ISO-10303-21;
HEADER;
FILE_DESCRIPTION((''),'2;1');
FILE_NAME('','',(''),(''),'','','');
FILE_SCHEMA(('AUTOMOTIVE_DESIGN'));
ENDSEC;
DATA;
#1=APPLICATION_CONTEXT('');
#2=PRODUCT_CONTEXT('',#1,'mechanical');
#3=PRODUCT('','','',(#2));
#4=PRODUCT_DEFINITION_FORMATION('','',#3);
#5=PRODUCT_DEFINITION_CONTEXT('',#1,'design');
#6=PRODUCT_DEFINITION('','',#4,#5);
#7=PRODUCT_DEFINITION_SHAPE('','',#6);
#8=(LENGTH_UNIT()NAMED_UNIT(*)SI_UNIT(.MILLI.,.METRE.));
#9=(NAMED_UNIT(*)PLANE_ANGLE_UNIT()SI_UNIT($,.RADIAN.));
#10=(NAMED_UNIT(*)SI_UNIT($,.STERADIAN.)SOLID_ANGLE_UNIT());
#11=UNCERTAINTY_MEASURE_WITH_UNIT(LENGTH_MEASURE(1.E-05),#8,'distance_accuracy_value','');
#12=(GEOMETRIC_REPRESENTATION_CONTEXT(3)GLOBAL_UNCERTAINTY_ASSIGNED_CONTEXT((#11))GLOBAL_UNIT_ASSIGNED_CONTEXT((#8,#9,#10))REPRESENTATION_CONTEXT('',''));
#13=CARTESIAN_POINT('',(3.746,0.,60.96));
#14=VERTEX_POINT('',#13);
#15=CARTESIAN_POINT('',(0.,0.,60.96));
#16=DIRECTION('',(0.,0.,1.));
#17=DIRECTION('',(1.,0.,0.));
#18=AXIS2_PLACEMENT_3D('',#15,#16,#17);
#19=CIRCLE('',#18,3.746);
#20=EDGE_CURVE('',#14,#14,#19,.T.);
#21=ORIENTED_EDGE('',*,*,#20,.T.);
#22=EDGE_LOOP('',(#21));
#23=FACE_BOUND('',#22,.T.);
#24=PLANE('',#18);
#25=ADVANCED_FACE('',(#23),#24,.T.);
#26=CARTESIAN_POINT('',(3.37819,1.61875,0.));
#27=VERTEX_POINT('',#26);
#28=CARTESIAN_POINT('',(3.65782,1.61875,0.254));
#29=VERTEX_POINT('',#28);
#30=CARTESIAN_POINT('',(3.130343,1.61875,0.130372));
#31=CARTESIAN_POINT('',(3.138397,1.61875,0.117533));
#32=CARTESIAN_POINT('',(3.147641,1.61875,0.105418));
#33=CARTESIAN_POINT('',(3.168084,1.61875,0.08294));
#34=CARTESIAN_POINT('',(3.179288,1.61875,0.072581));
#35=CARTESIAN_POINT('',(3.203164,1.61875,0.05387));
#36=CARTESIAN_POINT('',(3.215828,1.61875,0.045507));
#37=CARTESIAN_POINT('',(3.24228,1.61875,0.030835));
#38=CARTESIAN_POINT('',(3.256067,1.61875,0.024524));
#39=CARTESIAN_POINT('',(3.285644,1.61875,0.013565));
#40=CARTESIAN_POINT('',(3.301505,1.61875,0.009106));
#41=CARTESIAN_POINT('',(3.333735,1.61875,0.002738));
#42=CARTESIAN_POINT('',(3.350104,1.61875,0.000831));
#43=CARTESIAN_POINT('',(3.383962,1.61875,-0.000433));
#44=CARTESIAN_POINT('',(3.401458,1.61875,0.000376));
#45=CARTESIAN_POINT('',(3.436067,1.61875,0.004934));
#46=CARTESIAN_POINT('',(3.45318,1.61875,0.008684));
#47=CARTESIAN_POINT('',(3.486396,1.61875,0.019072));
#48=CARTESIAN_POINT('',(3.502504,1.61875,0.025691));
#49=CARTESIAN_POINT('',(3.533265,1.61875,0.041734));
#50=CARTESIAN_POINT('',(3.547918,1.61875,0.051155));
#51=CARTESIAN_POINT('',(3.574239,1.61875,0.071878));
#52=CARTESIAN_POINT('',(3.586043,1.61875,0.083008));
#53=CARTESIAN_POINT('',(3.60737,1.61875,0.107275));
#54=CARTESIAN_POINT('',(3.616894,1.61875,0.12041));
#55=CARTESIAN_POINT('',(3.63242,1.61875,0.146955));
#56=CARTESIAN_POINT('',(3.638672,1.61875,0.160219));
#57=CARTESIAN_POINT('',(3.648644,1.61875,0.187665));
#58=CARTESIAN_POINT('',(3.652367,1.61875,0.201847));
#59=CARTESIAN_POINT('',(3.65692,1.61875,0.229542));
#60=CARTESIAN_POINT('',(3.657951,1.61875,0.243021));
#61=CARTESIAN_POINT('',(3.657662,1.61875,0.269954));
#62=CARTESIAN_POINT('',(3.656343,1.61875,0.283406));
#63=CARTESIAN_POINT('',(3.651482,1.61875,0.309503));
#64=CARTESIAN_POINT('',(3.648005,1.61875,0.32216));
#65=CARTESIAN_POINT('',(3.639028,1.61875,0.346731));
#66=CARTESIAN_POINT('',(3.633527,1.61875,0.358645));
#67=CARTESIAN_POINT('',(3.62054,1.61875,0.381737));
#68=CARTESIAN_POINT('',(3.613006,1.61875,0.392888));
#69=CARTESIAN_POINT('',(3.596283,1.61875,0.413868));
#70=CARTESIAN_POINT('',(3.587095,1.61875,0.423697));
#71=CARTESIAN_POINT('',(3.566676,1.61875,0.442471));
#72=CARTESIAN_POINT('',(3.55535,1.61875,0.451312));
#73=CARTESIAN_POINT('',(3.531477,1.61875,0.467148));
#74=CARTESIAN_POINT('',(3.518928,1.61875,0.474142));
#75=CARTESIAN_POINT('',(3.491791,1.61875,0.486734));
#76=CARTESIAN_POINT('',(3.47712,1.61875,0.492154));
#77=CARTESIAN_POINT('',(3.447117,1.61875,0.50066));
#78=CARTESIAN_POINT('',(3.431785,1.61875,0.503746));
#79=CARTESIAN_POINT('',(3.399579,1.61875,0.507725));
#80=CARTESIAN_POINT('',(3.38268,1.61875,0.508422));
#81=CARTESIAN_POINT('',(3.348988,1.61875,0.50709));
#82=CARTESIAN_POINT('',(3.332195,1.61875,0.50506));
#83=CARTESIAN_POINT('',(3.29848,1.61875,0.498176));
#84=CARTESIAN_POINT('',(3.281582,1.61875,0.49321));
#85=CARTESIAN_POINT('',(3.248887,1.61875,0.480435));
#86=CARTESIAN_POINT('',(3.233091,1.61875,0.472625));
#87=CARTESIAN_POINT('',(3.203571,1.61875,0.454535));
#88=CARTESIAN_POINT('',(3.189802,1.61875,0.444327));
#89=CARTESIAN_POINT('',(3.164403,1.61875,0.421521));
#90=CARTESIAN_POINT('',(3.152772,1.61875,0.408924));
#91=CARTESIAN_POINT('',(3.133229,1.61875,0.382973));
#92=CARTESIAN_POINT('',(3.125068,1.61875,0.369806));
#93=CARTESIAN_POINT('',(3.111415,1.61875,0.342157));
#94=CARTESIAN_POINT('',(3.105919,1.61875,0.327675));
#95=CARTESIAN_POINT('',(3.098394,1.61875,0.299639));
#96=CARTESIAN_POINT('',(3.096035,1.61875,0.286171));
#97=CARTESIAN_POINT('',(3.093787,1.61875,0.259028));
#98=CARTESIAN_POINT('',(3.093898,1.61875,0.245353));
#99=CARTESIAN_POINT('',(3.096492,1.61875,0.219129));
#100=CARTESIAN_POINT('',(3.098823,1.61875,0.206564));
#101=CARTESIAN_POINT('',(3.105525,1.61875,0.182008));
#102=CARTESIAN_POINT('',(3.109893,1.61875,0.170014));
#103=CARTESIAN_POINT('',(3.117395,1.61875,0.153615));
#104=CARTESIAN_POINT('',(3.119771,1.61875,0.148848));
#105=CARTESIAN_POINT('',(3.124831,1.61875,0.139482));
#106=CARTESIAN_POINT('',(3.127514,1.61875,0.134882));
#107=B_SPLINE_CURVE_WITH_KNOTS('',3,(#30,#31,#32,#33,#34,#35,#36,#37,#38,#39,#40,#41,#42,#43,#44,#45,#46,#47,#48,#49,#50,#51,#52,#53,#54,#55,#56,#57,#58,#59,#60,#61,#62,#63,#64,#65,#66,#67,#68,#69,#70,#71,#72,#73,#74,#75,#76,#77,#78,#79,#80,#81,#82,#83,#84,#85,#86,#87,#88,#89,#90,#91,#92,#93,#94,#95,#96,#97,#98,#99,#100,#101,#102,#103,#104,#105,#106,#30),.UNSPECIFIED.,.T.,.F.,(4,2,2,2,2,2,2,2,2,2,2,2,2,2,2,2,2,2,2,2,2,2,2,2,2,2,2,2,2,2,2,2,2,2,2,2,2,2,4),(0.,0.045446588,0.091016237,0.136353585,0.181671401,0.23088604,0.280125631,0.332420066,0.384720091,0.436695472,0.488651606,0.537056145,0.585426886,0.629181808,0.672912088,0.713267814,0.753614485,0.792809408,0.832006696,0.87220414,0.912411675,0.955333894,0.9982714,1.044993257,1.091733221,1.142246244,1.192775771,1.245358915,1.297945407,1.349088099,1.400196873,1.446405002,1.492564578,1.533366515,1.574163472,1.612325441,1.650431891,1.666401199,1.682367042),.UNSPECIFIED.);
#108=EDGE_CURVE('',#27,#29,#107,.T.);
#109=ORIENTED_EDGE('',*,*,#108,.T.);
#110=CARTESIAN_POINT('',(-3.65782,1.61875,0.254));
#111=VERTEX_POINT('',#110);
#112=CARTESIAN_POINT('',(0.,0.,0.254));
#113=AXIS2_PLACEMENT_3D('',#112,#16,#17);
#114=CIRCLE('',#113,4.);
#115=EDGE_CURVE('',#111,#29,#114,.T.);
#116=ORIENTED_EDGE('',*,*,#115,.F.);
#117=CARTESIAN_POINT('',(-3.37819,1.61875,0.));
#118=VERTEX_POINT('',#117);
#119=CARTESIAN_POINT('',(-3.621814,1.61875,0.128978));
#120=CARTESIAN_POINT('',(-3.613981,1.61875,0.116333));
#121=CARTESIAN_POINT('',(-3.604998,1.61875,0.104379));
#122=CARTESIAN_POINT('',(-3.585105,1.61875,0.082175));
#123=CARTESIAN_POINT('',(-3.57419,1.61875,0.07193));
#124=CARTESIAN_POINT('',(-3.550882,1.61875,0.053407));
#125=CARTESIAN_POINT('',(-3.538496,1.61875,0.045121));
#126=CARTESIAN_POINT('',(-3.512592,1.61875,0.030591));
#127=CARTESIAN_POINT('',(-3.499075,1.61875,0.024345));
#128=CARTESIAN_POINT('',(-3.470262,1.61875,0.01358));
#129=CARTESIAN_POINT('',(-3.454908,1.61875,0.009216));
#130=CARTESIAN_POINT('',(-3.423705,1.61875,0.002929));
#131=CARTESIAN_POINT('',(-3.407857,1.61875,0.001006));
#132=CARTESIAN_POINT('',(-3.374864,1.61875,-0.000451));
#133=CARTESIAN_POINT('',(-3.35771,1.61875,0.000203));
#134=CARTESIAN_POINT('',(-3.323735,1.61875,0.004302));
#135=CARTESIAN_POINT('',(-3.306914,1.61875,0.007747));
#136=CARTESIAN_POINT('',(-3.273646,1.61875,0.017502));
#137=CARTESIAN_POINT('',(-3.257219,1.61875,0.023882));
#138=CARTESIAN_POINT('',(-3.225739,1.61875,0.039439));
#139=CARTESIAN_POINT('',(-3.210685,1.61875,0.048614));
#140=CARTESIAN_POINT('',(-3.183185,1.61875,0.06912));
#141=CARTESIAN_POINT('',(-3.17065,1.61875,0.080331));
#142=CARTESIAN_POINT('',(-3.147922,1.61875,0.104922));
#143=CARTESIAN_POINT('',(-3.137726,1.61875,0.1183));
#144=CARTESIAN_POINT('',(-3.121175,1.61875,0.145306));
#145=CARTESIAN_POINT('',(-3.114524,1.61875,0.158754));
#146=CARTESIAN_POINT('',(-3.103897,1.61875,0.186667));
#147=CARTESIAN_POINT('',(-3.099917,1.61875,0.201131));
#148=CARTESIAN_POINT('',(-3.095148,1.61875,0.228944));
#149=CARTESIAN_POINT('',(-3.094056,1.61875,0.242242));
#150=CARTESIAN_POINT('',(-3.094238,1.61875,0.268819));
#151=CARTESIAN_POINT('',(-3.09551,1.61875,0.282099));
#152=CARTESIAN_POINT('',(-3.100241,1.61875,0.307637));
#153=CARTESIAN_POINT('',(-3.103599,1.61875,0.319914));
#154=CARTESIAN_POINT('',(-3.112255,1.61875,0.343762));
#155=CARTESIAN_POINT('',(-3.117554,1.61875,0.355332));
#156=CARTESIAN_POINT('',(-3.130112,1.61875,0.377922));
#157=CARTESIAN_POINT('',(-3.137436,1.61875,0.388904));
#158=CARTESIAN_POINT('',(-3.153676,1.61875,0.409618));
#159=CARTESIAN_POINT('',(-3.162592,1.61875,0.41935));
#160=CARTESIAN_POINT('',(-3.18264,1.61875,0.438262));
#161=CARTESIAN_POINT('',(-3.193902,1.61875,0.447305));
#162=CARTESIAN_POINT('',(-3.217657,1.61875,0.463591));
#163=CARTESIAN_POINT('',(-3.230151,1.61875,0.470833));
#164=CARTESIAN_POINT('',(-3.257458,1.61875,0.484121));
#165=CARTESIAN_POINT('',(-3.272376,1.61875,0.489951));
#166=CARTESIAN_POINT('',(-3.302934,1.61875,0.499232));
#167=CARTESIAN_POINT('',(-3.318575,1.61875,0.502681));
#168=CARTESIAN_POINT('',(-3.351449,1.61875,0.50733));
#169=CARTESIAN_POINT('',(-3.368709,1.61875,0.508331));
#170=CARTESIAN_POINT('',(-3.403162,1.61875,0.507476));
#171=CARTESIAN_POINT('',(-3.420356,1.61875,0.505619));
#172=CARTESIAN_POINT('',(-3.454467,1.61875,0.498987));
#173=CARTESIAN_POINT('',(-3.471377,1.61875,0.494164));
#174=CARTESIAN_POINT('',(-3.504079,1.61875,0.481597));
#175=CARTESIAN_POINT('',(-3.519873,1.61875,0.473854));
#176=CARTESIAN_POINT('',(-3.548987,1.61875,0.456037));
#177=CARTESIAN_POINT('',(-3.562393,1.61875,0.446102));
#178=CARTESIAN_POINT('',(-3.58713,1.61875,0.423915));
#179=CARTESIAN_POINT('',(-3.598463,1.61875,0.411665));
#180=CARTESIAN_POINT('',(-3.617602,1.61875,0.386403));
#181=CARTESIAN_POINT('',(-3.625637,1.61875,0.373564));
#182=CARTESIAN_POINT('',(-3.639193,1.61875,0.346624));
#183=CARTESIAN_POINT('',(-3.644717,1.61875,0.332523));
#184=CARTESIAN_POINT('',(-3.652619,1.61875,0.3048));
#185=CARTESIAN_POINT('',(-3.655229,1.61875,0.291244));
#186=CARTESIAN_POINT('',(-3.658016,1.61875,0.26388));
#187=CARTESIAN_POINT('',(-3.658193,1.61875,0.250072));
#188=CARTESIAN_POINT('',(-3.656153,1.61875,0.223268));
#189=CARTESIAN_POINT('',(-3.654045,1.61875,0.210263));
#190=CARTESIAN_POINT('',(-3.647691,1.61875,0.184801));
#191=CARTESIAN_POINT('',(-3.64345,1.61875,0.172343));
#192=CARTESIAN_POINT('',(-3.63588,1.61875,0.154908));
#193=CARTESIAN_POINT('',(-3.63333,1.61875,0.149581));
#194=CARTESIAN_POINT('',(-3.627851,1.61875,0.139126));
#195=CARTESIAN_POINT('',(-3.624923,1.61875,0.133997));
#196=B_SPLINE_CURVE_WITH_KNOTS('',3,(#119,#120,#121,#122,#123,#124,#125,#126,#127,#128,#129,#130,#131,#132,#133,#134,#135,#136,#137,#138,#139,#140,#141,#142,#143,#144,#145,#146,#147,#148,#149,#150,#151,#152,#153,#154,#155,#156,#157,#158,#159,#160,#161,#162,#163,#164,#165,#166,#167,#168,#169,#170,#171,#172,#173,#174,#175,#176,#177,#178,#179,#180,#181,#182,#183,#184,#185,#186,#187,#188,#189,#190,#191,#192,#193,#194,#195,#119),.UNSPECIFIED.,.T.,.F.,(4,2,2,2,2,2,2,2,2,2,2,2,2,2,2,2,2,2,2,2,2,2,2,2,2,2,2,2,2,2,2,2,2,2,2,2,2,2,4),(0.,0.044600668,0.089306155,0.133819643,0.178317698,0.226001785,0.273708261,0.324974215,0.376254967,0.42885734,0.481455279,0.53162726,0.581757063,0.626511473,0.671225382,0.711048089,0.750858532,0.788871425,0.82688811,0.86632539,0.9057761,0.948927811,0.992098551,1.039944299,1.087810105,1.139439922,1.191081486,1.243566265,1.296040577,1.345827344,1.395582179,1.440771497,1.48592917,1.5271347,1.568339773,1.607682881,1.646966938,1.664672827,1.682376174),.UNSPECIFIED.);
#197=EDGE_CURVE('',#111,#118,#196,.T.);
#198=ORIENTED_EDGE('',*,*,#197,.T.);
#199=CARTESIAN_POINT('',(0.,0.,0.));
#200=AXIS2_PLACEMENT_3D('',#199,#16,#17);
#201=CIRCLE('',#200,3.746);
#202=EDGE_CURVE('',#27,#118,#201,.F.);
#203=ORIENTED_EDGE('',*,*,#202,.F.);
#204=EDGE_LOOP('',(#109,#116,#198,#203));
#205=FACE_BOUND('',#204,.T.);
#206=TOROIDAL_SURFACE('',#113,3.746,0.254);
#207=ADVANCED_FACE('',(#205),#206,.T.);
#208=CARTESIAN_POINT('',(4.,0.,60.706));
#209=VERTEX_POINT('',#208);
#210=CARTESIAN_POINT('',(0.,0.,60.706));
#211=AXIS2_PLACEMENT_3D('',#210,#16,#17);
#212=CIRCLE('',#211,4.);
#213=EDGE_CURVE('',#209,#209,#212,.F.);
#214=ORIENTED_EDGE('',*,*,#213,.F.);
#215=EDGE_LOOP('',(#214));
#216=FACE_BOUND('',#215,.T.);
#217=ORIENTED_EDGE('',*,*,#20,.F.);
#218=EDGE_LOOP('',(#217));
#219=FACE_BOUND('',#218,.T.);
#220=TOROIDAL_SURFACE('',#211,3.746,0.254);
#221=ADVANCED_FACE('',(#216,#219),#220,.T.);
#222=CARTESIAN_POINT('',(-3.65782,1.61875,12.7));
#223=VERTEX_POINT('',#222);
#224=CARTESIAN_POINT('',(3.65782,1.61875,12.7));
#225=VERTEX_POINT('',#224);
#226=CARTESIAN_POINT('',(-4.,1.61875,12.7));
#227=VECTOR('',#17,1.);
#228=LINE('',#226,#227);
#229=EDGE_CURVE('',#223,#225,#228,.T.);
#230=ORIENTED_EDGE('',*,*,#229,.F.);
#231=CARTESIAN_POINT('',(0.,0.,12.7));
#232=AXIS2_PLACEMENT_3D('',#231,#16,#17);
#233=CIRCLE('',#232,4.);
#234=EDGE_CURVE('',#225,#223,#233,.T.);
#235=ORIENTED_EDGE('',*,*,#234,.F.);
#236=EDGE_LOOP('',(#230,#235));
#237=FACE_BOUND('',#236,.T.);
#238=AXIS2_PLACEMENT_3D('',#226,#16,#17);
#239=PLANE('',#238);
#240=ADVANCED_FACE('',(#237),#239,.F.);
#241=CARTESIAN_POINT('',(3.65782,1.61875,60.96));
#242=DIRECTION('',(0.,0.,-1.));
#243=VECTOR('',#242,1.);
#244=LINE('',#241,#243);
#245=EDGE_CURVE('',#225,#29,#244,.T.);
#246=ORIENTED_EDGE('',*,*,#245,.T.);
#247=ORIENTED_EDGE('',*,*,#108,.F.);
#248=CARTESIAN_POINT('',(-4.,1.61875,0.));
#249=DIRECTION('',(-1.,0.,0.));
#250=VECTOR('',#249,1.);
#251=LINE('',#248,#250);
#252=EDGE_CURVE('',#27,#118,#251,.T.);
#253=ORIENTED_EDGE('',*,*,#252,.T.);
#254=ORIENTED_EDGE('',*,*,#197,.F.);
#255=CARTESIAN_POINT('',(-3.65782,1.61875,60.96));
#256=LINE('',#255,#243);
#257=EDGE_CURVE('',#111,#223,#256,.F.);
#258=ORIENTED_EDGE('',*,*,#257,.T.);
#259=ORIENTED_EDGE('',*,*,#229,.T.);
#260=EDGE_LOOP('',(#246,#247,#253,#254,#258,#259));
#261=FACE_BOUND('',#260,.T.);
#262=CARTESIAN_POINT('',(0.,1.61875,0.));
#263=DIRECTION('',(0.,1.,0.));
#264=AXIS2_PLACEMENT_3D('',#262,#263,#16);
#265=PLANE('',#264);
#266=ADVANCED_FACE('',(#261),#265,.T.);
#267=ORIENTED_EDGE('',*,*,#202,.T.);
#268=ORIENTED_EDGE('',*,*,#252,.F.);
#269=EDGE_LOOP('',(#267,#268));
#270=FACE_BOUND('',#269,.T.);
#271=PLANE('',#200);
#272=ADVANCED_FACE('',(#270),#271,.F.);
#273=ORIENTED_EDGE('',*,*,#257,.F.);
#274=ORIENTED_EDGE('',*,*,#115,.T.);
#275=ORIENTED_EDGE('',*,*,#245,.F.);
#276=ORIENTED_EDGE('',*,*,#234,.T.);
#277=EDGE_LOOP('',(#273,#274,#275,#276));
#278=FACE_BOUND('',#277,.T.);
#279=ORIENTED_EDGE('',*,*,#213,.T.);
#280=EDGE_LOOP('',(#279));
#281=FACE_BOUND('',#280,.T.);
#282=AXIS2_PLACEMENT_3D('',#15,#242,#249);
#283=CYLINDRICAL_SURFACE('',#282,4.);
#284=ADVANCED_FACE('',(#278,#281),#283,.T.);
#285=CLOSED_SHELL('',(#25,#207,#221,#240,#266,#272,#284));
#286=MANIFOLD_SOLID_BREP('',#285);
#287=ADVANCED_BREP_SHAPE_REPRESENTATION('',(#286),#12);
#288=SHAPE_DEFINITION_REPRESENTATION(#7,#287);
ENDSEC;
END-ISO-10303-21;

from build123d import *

# Parameters (mm, degrees)
SKETCH1_R           = 4
BOSS_EXTRUDE1_DEPTH = 60.96
FILLET2_R           = 0.254
SKETCH2_W           = 8
SKETCH2_H           = 12.7
CUT_EXTRUDE1_DEPTH  = 2.38125


with BuildPart() as part:
    # Sketch1 → Boss-Extrude1 (new body)
    with BuildSketch(Plane.XY):
        Circle(SKETCH1_R)
    extrude(amount=BOSS_EXTRUDE1_DEPTH)

    # Fillet2
    fillet2_edges = [part.edges().sort_by_distance(p)[0] for p in [
        (-4, 0, 0),
        (-4, 0, 60.96),
    ]]
    fillet(fillet2_edges, radius=FILLET2_R)

    # Sketch2 → Cut-Extrude1 (cut)
    with BuildSketch(Plane(origin=(0, 4, 0), x_dir=(1, 0, 0), z_dir=(0, 1, 0))):
        with Locations((0, -6.35)):
            Rectangle(SKETCH2_W, SKETCH2_H)
    extrude(amount=-CUT_EXTRUDE1_DEPTH, mode=Mode.SUBTRACT)


solid = part.part
